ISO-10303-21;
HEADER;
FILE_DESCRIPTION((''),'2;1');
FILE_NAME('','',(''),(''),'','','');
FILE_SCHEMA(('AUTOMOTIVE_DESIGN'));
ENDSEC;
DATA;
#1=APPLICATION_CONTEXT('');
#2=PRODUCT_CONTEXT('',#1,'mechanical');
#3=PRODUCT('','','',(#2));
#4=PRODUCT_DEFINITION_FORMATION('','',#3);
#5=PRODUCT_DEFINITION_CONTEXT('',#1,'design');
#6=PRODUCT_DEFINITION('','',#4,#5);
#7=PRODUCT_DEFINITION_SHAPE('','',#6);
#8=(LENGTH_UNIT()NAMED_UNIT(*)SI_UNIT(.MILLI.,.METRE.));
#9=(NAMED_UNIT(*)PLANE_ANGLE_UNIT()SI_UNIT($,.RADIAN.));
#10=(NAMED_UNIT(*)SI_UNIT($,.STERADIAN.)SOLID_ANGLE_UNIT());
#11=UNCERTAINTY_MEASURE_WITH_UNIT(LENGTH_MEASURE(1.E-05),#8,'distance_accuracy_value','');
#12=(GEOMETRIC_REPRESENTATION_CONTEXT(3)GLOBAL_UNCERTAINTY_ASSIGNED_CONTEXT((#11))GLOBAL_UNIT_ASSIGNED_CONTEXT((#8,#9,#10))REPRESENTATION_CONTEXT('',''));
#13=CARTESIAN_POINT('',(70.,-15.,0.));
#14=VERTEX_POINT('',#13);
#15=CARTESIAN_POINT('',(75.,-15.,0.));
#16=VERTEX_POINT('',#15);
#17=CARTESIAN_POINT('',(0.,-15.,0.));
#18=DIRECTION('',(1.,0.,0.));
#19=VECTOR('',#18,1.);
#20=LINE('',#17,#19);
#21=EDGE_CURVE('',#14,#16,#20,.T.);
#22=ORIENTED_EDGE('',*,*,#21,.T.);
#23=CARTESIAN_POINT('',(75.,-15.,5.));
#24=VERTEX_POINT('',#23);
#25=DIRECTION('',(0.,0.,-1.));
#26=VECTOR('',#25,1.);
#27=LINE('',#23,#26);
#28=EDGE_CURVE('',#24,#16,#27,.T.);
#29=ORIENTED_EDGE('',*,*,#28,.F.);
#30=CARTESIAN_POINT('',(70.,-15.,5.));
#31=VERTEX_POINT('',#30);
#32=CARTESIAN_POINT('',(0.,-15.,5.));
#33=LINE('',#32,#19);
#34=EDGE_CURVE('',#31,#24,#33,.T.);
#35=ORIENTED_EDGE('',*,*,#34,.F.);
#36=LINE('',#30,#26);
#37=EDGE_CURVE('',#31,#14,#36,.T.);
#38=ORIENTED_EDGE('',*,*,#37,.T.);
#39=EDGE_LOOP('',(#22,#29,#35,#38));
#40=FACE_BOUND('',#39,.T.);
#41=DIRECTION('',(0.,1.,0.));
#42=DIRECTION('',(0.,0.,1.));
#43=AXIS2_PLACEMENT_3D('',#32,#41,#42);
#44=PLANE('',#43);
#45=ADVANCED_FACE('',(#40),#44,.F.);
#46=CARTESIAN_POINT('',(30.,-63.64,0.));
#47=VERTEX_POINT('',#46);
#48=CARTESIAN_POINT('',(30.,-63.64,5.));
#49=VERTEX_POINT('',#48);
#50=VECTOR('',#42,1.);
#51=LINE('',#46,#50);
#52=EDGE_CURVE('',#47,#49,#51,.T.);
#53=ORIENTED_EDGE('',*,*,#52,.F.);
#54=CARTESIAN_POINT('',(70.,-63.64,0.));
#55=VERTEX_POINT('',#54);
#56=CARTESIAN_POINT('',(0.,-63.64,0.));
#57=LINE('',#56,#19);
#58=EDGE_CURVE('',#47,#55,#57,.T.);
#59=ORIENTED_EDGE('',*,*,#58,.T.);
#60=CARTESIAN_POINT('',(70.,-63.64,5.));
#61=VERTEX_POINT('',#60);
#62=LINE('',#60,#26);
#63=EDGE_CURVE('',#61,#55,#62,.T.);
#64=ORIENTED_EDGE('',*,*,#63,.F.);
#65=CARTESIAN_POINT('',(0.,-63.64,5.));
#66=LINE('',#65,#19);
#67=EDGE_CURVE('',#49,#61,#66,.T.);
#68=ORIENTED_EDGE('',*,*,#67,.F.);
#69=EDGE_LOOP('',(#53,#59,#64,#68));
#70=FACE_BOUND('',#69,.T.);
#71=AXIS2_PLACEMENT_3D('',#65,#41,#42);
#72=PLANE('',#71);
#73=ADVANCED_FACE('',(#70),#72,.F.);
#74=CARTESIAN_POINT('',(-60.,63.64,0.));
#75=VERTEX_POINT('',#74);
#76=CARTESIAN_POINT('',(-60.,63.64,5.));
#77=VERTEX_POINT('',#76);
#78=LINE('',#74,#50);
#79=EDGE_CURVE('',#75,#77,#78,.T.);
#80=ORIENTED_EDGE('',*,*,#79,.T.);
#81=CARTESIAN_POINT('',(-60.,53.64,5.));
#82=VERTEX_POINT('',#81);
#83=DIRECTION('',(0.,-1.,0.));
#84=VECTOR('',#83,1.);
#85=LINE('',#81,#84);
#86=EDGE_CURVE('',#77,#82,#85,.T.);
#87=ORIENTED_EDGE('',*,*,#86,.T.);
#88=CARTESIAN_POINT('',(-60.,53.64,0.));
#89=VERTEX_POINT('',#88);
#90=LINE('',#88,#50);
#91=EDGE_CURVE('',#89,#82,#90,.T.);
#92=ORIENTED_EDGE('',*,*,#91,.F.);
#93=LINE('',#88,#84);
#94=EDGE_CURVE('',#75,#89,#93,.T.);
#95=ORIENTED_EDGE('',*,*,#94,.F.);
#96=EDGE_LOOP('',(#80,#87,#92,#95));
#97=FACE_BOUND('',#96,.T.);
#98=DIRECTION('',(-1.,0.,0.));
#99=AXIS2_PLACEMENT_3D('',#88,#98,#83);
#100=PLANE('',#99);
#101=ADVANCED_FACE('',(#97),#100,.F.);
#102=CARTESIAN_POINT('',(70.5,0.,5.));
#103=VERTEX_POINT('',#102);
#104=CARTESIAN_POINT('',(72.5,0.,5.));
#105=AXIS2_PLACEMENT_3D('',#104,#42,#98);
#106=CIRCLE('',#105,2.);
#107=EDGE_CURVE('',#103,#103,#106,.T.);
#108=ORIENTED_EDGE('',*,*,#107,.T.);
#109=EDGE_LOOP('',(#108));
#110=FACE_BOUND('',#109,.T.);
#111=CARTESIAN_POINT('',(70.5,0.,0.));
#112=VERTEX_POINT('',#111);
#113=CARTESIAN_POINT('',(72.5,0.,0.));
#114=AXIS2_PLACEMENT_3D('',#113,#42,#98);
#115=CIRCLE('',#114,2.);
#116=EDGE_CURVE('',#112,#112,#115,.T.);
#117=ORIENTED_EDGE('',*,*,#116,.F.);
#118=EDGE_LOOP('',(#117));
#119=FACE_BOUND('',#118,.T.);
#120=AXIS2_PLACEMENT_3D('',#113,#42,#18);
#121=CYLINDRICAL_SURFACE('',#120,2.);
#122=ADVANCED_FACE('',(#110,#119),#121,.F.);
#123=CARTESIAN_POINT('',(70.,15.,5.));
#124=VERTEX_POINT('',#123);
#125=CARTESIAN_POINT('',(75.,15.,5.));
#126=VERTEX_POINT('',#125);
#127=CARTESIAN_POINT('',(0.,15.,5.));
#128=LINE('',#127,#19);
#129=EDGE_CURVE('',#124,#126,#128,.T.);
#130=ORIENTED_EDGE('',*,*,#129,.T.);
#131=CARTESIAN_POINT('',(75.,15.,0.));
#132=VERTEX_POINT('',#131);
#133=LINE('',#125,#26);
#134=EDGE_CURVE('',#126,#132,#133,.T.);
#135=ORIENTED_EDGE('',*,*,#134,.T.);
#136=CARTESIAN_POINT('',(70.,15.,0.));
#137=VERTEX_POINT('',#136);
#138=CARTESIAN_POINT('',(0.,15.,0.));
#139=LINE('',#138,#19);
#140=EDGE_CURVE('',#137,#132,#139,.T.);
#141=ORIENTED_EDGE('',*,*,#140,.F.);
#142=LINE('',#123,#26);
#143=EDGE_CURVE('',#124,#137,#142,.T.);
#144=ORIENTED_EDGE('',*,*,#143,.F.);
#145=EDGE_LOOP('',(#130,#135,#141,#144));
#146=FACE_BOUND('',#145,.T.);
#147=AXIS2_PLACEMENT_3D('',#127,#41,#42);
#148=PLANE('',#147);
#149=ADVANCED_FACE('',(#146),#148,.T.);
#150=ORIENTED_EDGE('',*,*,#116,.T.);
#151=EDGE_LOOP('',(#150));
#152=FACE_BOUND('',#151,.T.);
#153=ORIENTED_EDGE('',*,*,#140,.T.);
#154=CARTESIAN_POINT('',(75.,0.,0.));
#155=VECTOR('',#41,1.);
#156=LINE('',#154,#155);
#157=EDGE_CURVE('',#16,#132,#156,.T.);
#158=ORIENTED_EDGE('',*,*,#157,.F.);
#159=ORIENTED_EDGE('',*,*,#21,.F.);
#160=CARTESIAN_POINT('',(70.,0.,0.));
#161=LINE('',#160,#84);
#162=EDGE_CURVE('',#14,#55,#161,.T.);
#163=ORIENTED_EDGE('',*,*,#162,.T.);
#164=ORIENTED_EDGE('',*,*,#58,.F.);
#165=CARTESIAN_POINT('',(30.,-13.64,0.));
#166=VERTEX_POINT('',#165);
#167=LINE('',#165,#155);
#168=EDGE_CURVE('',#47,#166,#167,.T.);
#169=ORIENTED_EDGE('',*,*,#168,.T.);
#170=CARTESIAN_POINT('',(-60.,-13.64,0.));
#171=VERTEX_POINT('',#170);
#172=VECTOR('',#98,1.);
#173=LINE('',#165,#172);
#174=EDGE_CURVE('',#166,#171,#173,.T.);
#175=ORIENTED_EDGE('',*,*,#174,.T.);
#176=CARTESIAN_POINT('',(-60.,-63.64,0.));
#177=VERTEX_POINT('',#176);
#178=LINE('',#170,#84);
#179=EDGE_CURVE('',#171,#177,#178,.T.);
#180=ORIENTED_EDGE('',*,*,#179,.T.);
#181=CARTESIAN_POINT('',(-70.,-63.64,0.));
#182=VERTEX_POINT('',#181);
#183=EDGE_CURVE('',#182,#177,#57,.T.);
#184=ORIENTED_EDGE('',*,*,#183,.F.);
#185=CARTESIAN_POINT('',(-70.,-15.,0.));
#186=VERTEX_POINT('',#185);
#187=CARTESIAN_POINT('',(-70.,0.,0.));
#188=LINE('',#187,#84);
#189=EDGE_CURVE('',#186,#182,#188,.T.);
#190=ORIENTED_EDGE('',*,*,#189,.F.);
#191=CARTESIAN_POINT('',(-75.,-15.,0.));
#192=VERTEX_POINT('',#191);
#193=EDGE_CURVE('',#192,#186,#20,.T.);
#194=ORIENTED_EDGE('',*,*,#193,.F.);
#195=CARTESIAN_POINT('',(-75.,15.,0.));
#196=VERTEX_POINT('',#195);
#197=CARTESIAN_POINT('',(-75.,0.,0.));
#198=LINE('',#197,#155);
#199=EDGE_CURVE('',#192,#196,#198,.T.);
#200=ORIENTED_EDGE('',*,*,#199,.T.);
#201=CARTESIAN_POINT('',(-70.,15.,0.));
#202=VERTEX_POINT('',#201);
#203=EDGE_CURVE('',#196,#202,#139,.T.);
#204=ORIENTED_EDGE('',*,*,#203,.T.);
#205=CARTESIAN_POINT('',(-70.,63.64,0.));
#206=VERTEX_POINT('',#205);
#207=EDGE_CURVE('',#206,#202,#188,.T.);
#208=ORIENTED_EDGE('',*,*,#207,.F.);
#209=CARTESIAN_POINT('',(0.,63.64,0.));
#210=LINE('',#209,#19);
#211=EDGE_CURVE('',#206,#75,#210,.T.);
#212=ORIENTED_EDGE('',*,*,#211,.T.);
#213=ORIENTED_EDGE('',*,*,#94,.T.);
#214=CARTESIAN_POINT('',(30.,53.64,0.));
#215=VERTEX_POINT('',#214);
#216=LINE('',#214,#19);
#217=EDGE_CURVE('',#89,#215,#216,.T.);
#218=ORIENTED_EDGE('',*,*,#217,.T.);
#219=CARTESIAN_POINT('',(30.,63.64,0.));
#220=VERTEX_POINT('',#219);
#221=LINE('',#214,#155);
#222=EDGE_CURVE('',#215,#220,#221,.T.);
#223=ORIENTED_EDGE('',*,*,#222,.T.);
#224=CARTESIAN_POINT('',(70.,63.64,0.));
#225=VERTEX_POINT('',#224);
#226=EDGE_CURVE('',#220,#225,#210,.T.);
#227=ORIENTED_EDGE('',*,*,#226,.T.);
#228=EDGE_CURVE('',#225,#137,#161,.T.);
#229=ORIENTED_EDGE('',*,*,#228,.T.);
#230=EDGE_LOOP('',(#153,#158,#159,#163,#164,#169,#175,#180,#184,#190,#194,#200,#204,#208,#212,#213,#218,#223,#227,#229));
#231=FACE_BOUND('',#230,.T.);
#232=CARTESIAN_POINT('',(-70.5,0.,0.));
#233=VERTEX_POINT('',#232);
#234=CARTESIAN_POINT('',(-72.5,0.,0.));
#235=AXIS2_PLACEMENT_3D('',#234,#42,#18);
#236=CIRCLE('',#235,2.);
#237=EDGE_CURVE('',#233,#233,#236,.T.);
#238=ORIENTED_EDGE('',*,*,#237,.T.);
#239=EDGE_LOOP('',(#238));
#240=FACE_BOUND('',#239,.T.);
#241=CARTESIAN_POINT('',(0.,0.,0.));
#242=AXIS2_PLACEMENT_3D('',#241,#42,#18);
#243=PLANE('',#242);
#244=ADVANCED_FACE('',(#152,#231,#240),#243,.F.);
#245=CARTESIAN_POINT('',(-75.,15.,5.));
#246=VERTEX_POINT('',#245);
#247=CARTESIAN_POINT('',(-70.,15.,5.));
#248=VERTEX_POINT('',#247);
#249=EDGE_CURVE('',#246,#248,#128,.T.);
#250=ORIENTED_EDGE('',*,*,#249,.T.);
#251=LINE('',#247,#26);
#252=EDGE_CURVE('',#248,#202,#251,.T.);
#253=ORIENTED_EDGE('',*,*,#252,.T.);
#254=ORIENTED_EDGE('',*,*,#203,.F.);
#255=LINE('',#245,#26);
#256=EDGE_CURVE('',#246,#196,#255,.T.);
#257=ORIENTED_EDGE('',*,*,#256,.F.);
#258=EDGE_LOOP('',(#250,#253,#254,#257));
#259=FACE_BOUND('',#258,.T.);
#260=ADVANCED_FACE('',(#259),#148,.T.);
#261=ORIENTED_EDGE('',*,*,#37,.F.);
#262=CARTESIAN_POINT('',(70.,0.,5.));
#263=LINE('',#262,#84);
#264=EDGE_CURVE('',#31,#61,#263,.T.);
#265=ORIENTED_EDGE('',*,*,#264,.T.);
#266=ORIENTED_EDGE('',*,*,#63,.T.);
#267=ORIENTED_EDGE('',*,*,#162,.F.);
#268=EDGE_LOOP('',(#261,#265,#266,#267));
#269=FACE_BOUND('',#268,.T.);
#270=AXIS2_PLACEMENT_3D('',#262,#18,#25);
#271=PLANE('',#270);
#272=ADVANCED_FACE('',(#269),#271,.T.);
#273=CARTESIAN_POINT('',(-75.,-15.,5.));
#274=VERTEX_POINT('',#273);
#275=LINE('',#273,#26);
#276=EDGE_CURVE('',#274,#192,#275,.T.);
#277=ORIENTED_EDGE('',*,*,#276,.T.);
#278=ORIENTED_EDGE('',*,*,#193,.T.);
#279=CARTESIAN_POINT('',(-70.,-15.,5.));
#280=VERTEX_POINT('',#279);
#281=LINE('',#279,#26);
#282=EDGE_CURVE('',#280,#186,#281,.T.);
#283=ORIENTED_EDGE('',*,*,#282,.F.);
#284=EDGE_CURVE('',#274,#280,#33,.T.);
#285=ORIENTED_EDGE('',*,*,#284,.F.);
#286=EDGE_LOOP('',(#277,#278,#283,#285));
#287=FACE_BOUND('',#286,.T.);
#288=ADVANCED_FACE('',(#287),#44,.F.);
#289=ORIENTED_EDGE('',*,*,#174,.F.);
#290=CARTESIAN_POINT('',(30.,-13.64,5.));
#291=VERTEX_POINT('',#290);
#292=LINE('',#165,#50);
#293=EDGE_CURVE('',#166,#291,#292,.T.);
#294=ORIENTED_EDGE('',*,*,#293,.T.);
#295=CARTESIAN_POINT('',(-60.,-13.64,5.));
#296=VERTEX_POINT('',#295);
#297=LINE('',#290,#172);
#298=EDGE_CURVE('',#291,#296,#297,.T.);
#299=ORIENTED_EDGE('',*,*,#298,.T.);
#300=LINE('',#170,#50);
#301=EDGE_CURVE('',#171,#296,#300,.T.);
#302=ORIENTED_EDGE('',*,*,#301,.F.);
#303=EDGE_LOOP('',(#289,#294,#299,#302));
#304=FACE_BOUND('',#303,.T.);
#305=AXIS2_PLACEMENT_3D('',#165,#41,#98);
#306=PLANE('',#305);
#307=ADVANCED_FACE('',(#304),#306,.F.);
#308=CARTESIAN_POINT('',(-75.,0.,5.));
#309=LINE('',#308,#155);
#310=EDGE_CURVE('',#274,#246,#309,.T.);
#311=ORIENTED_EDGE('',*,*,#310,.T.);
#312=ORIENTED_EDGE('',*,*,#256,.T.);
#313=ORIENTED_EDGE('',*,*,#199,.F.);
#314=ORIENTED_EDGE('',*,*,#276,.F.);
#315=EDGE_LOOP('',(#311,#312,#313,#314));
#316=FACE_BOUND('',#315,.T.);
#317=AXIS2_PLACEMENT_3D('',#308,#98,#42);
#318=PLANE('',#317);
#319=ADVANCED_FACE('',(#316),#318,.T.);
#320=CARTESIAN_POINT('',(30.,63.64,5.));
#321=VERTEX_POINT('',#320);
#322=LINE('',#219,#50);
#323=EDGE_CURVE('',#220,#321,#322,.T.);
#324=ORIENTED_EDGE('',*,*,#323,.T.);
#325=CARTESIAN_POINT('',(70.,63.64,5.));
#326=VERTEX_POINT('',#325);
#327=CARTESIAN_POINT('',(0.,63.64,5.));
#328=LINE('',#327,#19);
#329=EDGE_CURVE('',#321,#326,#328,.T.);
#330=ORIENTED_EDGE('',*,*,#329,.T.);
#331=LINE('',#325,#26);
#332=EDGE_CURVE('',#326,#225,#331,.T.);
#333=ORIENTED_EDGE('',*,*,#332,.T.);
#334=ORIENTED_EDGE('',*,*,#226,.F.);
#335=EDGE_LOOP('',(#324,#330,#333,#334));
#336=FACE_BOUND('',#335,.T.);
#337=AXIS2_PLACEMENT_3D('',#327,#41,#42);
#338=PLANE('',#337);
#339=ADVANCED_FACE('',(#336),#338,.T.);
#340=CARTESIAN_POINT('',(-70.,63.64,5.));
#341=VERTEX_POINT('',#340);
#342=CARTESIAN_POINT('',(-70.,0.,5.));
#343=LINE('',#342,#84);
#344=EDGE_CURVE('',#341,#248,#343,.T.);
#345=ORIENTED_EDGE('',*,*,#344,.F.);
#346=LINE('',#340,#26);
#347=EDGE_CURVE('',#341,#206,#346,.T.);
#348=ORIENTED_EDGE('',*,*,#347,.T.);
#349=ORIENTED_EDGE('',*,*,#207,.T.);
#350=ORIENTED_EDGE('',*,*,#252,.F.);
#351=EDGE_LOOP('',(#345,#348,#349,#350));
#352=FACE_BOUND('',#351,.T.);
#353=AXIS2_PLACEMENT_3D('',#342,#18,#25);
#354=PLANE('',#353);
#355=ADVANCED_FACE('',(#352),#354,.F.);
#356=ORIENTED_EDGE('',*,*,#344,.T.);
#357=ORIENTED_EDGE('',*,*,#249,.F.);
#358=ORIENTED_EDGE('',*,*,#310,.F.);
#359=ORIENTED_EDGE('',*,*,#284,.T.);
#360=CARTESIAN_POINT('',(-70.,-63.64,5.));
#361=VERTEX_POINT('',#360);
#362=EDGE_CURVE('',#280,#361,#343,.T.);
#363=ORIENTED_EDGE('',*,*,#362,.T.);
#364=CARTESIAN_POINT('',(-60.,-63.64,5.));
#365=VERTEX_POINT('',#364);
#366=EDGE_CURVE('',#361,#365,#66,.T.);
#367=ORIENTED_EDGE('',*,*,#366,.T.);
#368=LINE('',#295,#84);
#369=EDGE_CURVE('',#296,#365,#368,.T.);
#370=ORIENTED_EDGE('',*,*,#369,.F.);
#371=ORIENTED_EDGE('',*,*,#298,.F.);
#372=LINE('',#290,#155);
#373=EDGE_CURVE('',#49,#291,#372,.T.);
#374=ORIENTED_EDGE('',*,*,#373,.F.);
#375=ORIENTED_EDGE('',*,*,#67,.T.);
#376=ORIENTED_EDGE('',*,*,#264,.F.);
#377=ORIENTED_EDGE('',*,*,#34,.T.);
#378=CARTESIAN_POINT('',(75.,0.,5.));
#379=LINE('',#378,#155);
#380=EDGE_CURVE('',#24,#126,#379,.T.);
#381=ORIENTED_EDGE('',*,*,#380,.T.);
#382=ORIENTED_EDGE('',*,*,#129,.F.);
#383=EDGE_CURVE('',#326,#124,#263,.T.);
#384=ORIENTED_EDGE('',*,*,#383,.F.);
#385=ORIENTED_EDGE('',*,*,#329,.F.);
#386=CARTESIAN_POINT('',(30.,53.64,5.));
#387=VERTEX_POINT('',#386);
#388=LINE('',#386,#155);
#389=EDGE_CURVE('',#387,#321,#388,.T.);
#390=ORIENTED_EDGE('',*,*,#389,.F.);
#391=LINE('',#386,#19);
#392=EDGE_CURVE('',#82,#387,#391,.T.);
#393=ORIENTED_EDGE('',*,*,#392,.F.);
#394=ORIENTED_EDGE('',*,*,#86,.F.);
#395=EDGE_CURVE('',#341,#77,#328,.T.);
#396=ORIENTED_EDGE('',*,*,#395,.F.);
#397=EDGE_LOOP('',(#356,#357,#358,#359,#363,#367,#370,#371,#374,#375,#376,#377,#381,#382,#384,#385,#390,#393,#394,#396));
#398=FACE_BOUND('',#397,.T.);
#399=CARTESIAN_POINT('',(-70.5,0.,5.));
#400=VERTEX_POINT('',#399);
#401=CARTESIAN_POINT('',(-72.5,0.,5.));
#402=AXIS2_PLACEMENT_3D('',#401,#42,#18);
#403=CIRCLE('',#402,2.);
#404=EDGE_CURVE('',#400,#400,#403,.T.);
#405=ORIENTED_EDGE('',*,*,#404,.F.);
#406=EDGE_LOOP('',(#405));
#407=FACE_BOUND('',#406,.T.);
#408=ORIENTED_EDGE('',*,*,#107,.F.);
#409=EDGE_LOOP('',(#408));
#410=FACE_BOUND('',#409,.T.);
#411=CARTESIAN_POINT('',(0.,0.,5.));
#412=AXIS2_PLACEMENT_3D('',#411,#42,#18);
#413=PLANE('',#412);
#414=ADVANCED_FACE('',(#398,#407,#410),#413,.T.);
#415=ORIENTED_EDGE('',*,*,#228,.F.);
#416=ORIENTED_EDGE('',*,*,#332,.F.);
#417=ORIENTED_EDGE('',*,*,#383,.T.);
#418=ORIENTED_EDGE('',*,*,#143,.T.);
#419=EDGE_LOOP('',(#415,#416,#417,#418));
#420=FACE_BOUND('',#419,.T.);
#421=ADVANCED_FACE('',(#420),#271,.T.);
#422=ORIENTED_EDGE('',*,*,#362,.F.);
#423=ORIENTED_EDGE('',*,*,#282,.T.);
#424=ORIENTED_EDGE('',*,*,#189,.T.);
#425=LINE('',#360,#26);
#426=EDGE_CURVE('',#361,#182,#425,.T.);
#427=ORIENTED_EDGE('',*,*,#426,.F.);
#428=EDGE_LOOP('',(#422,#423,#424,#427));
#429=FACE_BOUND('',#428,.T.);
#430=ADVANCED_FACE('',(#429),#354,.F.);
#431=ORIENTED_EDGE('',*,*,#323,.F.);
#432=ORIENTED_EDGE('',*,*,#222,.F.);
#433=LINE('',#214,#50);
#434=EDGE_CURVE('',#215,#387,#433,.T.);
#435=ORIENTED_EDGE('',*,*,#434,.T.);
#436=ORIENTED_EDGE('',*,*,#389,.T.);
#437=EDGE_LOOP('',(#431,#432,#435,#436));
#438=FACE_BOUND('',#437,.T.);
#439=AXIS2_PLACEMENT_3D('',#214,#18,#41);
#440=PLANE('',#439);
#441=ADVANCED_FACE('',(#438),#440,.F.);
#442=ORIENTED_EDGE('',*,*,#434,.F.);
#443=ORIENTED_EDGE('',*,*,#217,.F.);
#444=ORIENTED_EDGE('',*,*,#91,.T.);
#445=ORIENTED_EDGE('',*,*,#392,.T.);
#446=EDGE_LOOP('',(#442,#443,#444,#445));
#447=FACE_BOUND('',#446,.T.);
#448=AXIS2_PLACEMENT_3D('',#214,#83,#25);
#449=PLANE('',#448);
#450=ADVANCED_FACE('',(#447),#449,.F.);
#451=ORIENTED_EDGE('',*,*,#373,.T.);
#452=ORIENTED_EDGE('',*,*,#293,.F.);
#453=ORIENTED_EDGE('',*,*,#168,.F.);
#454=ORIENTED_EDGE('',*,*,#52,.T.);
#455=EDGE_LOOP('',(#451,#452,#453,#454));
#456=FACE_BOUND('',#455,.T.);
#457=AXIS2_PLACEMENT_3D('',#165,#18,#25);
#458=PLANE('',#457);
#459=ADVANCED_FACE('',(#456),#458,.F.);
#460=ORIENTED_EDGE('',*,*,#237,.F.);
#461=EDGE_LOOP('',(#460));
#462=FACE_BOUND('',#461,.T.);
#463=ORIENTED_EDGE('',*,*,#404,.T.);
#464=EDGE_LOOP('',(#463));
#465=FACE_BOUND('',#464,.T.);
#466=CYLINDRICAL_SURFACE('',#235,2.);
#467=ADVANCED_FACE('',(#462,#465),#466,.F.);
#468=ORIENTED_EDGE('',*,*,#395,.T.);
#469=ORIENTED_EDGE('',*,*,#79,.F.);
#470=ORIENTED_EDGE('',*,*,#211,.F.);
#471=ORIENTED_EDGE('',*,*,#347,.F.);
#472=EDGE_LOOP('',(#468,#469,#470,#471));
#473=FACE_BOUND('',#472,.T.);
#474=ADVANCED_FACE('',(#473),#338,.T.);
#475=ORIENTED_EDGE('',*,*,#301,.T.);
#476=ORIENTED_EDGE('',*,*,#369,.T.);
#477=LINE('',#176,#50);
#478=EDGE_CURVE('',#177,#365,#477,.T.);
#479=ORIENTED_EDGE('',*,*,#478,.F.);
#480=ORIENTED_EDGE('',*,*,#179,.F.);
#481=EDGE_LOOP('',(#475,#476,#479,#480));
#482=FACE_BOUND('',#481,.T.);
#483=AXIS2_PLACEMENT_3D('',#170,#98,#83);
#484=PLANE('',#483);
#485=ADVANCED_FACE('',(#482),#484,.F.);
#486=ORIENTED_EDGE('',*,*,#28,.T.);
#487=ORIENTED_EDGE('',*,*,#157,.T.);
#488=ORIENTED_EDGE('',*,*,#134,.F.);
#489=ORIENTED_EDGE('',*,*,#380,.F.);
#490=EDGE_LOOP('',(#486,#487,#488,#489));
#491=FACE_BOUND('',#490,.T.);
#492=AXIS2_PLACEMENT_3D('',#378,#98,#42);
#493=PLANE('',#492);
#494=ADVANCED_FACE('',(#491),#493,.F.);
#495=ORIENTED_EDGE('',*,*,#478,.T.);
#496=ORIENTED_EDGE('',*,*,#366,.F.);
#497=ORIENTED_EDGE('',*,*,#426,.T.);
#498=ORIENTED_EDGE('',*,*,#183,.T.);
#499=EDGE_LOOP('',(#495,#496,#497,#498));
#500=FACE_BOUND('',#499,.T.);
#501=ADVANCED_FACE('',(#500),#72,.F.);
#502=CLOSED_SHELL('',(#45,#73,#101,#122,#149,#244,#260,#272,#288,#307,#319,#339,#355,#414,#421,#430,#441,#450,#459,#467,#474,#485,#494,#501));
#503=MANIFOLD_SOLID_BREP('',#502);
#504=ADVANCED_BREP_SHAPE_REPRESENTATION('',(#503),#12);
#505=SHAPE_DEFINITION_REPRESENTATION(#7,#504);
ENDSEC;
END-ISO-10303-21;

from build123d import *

# Parameters (mm, degrees)
BOSS_EXTRUDE1_DEPTH = 5
SKETCH2_R           = 2
CUT_EXTRUDE1_DEPTH  = 5
SKETCH3_W           = 90
SKETCH3_H           = 10
SKETCH3_H_2         = 50
CUT_EXTRUDE2_DEPTH  = 5


with BuildPart() as part:
    # Sketch1 → Boss-Extrude1 (new body)
    with BuildSketch(Plane.XY):
        Polygon((-70, -15), (-70, -63.64), (70, -63.64), (70, -15), (75, -15), (75, 15), (70, 15), (70, 63.64), (-70, 63.64), (-70, 15), (-75, 15), (-75, -15), align=None)
    extrude(amount=BOSS_EXTRUDE1_DEPTH)

    # Sketch2 → Cut-Extrude1 (cut)
    with BuildSketch(Plane.XY.offset(5)):
        with Locations((-72.5, 0)):
            Circle(SKETCH2_R)
        with Locations((72.5, 0)):
            Circle(SKETCH2_R)
    extrude(amount=-CUT_EXTRUDE1_DEPTH, mode=Mode.SUBTRACT)

    # Sketch3 → Cut-Extrude2 (cut)
    with BuildSketch(Plane.XY.offset(5)):
        with Locations((-15, 58.64)):
            Rectangle(SKETCH3_W, SKETCH3_H)
        with Locations((-15, -38.64)):
            Rectangle(SKETCH3_W, SKETCH3_H_2)
    extrude(amount=-CUT_EXTRUDE2_DEPTH, mode=Mode.SUBTRACT)


solid = part.part
